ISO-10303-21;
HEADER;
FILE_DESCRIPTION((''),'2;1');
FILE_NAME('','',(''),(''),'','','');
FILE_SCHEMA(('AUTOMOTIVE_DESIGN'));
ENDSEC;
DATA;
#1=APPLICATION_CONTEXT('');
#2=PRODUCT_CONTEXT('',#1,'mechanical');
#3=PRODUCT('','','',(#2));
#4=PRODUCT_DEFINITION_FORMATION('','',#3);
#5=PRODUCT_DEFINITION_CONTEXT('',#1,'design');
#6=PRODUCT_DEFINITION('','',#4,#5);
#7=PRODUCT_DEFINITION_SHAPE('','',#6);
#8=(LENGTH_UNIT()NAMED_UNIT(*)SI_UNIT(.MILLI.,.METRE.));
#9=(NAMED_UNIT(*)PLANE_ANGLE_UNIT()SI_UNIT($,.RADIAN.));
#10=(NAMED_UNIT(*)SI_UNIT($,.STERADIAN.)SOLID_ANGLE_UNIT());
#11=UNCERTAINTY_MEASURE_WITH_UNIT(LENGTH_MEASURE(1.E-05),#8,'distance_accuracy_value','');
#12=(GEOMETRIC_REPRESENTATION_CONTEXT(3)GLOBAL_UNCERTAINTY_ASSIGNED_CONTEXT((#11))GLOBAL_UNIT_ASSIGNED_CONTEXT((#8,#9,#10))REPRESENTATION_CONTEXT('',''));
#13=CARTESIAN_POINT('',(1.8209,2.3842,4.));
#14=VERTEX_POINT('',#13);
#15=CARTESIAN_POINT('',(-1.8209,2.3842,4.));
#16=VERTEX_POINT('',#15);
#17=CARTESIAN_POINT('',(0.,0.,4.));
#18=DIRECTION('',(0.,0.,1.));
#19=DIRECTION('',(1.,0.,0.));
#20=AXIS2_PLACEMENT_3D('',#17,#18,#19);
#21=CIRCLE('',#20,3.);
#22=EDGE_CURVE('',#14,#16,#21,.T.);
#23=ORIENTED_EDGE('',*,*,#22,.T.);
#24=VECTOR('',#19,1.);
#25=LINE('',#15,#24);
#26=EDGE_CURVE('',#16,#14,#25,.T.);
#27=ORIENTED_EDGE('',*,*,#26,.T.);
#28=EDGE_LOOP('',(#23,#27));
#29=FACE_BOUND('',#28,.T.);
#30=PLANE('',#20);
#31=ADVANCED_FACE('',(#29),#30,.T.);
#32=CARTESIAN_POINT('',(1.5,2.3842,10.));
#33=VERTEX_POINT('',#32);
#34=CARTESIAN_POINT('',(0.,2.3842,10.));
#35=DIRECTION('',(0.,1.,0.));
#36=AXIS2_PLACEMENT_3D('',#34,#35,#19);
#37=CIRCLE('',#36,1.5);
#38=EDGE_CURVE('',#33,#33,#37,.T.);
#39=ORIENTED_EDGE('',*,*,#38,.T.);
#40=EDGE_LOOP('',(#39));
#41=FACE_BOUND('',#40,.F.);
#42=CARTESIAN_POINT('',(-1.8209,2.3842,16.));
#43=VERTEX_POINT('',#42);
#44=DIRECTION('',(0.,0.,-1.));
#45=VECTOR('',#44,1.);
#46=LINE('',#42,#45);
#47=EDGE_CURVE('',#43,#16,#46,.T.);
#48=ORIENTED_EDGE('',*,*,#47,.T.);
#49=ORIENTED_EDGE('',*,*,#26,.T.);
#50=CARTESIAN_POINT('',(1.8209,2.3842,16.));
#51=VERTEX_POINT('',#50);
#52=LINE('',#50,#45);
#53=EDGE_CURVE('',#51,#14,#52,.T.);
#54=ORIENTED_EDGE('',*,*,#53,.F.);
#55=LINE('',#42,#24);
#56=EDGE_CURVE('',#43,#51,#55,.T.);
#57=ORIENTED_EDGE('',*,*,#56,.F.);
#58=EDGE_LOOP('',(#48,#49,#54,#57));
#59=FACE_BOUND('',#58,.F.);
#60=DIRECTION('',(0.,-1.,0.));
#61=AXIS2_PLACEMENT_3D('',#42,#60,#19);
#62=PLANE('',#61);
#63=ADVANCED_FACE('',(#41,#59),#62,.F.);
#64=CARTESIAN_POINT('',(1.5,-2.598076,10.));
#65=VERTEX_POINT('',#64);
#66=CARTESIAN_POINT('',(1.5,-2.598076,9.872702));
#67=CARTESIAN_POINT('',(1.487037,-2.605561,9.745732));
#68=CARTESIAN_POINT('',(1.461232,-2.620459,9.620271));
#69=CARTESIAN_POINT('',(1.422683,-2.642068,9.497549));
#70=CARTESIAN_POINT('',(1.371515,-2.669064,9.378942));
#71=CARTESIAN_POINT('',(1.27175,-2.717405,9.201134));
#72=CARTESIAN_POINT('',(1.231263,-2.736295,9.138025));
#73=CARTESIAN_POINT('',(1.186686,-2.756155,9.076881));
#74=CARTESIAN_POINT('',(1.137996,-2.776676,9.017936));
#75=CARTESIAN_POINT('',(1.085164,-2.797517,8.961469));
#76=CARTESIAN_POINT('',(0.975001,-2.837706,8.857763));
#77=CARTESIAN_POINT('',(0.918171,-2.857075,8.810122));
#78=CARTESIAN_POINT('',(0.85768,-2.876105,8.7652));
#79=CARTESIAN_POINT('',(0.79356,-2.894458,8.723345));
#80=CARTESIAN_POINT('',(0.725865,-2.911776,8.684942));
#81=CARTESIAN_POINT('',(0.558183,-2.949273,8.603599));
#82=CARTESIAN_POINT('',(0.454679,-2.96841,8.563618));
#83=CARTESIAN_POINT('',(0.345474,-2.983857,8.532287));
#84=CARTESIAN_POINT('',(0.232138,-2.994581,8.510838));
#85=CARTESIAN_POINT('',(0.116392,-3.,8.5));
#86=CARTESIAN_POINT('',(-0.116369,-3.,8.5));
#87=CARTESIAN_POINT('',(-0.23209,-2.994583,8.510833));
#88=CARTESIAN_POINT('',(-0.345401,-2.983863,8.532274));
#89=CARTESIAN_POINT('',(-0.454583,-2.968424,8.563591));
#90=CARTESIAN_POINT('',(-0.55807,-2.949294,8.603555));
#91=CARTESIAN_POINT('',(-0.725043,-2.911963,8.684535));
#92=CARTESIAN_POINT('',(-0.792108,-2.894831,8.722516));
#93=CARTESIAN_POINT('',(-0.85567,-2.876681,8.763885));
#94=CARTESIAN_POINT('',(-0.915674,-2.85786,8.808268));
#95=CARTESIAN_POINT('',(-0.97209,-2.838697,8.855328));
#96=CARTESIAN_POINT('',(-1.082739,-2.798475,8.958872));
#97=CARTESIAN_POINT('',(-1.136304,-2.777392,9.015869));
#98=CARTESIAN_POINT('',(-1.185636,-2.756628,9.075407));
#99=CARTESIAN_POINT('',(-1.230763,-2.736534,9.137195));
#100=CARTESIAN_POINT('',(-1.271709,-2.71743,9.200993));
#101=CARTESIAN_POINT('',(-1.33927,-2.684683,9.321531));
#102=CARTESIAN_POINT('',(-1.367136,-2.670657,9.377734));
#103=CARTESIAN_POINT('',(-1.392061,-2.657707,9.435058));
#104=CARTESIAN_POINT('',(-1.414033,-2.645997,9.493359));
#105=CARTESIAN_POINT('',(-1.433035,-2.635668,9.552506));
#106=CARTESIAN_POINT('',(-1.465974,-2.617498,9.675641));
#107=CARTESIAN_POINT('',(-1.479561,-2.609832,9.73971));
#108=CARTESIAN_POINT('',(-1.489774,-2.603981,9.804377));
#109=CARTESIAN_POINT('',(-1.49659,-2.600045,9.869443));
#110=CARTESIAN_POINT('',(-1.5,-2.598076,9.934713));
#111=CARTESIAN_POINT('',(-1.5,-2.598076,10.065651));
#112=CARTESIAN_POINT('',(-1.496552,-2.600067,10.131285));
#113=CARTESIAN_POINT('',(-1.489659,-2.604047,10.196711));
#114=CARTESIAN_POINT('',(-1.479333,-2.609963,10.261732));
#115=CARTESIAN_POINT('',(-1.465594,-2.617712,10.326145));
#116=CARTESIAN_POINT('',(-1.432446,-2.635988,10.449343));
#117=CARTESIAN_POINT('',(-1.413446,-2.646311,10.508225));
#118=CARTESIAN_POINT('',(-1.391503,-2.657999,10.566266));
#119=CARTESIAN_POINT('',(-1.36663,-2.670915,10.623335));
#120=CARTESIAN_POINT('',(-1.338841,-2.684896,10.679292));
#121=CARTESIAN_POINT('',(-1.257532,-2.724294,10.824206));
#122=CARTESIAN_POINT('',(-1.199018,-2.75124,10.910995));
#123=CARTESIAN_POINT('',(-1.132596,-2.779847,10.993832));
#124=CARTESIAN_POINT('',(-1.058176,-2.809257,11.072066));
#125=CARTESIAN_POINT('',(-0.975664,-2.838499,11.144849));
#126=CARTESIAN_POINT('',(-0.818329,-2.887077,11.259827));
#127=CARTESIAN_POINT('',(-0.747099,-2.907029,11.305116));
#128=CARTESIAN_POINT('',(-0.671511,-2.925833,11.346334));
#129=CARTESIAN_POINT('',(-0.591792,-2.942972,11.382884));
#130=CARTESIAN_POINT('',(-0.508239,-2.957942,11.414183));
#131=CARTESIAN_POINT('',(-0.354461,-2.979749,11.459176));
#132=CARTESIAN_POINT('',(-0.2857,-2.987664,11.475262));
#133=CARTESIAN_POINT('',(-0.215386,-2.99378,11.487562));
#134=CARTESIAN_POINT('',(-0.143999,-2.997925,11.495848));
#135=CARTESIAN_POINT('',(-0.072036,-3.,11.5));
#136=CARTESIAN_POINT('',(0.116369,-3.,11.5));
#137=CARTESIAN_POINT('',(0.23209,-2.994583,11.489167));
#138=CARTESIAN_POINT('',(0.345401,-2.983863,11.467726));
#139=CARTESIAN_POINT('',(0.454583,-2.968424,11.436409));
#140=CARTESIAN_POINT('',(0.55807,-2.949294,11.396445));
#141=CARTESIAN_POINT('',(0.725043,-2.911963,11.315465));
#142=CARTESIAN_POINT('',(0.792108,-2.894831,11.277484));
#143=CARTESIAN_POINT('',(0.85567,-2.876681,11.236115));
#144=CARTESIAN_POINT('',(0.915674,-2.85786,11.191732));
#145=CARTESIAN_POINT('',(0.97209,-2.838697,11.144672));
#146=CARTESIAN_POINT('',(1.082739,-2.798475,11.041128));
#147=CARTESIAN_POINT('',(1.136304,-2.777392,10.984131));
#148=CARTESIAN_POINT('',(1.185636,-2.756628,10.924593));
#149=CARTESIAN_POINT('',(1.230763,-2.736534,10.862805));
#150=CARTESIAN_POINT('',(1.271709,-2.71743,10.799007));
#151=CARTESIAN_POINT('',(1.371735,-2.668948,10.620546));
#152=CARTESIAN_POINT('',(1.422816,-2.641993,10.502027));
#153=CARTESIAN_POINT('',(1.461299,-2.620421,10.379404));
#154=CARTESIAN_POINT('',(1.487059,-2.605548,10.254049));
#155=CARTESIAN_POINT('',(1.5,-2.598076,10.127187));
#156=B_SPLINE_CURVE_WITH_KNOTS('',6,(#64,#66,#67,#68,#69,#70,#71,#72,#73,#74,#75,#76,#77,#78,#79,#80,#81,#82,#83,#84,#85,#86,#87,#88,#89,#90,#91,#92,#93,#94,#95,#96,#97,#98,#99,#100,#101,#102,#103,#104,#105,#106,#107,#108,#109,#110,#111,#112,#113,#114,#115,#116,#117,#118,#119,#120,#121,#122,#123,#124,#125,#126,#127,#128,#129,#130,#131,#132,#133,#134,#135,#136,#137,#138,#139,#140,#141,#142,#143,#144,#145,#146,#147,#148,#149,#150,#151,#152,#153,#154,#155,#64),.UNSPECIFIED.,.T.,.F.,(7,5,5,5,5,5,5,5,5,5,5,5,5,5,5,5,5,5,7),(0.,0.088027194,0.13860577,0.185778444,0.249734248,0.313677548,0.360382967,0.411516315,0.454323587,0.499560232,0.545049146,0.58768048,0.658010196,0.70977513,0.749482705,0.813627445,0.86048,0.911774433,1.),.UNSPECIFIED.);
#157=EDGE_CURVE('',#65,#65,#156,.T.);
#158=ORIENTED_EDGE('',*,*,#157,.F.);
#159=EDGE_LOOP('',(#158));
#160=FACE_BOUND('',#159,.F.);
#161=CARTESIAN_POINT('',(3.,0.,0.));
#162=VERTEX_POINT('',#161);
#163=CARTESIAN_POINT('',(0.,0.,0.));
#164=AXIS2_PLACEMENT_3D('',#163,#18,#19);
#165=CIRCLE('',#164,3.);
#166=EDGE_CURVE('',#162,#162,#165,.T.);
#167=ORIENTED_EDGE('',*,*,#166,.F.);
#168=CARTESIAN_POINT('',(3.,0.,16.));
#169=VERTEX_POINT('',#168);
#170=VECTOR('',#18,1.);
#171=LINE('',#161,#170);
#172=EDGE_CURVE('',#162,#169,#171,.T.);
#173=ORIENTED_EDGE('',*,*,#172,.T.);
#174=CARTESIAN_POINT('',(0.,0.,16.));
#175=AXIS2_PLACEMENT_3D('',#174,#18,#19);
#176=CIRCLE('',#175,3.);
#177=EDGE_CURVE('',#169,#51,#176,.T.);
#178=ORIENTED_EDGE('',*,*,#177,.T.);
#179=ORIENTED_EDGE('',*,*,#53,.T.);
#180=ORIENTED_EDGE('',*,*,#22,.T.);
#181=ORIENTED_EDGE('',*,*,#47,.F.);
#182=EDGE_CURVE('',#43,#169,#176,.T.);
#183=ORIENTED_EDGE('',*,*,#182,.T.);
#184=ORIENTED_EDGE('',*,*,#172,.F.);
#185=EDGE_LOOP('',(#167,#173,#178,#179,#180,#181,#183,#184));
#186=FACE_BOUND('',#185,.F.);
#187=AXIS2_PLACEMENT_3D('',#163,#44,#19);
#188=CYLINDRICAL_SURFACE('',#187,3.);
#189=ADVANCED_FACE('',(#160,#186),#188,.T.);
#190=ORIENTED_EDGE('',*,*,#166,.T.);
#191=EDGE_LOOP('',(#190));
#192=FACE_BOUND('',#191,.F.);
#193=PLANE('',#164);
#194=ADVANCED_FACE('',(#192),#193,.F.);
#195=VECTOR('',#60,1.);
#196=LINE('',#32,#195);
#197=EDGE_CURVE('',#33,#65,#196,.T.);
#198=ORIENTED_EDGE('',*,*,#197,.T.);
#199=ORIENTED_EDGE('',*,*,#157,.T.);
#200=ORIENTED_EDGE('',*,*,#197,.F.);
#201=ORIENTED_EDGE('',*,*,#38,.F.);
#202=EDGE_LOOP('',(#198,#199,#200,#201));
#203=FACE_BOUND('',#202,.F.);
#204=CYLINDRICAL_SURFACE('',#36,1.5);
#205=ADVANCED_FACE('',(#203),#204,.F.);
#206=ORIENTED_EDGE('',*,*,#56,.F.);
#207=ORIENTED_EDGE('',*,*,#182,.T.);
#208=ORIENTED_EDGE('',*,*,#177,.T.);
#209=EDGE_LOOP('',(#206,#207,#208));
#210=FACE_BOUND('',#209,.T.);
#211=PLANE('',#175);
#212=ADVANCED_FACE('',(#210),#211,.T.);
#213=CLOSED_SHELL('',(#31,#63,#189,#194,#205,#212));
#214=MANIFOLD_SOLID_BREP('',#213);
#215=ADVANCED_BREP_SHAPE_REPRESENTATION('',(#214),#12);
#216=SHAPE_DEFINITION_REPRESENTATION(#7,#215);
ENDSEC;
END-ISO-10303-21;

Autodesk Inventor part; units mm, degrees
ref_plane "YZ Plane" through (0, 0, 0) normal (1, 0, 0) x (0, 1, 0)
ref_plane "XZ Plane" through (0, 0, 0) normal (0, 1, 0) x (-1, 0, 0)
ref_plane "XY Plane" through (0, 0, 0) normal (0, 0, 1) x (1, 0, 0)
sketch "Sketch1" plane through (0, 0, 0) normal (0, 0, 1) x (1, 0, 0)
  circle A0 centre (0, 0) radius 3 projected
  circle A1 centre (0, 0) radius 5 projected
  dimension "d0" = 10
  dimension "d1" = 6
extrude "Extrusion1" add sketch "Sketch1" along normal blind 16 contours A0
sketch "Sketch2" plane through (0, 0, 16) normal (0, 0, 1) x (1, 0, 0)
  circle A0 centre (0, 0) radius 3 projected
  line L0 (-1.8209, 2.3842) -> (1.8209, 2.3842)
  line L1 (-3, 0) -> (3, 0)
extrude "Extrusion2" cut sketch "Sketch2" against normal blind 12 contours L0 A0
sketch "Sketch3" plane through (-1.8209, 2.3842, 16) normal (0, 1, 0) x (1, 0, 0)
  circle A0 centre (1.8209, 6) radius 1.5
  line L0 (3.6417, 0) -> (0, 0) projected
  point P0 (1.8209, 16)
  dimension "d6" = 6
  dimension "d7" = 3
extrude "Extrusion3" cut sketch "Sketch3" against normal up to surface
thread "Thread1" size "M3x0.5" class "6H" standard "ANSI Metric M Profile" length 60
properties part number "motor shaft" material "Steel, Mild"
